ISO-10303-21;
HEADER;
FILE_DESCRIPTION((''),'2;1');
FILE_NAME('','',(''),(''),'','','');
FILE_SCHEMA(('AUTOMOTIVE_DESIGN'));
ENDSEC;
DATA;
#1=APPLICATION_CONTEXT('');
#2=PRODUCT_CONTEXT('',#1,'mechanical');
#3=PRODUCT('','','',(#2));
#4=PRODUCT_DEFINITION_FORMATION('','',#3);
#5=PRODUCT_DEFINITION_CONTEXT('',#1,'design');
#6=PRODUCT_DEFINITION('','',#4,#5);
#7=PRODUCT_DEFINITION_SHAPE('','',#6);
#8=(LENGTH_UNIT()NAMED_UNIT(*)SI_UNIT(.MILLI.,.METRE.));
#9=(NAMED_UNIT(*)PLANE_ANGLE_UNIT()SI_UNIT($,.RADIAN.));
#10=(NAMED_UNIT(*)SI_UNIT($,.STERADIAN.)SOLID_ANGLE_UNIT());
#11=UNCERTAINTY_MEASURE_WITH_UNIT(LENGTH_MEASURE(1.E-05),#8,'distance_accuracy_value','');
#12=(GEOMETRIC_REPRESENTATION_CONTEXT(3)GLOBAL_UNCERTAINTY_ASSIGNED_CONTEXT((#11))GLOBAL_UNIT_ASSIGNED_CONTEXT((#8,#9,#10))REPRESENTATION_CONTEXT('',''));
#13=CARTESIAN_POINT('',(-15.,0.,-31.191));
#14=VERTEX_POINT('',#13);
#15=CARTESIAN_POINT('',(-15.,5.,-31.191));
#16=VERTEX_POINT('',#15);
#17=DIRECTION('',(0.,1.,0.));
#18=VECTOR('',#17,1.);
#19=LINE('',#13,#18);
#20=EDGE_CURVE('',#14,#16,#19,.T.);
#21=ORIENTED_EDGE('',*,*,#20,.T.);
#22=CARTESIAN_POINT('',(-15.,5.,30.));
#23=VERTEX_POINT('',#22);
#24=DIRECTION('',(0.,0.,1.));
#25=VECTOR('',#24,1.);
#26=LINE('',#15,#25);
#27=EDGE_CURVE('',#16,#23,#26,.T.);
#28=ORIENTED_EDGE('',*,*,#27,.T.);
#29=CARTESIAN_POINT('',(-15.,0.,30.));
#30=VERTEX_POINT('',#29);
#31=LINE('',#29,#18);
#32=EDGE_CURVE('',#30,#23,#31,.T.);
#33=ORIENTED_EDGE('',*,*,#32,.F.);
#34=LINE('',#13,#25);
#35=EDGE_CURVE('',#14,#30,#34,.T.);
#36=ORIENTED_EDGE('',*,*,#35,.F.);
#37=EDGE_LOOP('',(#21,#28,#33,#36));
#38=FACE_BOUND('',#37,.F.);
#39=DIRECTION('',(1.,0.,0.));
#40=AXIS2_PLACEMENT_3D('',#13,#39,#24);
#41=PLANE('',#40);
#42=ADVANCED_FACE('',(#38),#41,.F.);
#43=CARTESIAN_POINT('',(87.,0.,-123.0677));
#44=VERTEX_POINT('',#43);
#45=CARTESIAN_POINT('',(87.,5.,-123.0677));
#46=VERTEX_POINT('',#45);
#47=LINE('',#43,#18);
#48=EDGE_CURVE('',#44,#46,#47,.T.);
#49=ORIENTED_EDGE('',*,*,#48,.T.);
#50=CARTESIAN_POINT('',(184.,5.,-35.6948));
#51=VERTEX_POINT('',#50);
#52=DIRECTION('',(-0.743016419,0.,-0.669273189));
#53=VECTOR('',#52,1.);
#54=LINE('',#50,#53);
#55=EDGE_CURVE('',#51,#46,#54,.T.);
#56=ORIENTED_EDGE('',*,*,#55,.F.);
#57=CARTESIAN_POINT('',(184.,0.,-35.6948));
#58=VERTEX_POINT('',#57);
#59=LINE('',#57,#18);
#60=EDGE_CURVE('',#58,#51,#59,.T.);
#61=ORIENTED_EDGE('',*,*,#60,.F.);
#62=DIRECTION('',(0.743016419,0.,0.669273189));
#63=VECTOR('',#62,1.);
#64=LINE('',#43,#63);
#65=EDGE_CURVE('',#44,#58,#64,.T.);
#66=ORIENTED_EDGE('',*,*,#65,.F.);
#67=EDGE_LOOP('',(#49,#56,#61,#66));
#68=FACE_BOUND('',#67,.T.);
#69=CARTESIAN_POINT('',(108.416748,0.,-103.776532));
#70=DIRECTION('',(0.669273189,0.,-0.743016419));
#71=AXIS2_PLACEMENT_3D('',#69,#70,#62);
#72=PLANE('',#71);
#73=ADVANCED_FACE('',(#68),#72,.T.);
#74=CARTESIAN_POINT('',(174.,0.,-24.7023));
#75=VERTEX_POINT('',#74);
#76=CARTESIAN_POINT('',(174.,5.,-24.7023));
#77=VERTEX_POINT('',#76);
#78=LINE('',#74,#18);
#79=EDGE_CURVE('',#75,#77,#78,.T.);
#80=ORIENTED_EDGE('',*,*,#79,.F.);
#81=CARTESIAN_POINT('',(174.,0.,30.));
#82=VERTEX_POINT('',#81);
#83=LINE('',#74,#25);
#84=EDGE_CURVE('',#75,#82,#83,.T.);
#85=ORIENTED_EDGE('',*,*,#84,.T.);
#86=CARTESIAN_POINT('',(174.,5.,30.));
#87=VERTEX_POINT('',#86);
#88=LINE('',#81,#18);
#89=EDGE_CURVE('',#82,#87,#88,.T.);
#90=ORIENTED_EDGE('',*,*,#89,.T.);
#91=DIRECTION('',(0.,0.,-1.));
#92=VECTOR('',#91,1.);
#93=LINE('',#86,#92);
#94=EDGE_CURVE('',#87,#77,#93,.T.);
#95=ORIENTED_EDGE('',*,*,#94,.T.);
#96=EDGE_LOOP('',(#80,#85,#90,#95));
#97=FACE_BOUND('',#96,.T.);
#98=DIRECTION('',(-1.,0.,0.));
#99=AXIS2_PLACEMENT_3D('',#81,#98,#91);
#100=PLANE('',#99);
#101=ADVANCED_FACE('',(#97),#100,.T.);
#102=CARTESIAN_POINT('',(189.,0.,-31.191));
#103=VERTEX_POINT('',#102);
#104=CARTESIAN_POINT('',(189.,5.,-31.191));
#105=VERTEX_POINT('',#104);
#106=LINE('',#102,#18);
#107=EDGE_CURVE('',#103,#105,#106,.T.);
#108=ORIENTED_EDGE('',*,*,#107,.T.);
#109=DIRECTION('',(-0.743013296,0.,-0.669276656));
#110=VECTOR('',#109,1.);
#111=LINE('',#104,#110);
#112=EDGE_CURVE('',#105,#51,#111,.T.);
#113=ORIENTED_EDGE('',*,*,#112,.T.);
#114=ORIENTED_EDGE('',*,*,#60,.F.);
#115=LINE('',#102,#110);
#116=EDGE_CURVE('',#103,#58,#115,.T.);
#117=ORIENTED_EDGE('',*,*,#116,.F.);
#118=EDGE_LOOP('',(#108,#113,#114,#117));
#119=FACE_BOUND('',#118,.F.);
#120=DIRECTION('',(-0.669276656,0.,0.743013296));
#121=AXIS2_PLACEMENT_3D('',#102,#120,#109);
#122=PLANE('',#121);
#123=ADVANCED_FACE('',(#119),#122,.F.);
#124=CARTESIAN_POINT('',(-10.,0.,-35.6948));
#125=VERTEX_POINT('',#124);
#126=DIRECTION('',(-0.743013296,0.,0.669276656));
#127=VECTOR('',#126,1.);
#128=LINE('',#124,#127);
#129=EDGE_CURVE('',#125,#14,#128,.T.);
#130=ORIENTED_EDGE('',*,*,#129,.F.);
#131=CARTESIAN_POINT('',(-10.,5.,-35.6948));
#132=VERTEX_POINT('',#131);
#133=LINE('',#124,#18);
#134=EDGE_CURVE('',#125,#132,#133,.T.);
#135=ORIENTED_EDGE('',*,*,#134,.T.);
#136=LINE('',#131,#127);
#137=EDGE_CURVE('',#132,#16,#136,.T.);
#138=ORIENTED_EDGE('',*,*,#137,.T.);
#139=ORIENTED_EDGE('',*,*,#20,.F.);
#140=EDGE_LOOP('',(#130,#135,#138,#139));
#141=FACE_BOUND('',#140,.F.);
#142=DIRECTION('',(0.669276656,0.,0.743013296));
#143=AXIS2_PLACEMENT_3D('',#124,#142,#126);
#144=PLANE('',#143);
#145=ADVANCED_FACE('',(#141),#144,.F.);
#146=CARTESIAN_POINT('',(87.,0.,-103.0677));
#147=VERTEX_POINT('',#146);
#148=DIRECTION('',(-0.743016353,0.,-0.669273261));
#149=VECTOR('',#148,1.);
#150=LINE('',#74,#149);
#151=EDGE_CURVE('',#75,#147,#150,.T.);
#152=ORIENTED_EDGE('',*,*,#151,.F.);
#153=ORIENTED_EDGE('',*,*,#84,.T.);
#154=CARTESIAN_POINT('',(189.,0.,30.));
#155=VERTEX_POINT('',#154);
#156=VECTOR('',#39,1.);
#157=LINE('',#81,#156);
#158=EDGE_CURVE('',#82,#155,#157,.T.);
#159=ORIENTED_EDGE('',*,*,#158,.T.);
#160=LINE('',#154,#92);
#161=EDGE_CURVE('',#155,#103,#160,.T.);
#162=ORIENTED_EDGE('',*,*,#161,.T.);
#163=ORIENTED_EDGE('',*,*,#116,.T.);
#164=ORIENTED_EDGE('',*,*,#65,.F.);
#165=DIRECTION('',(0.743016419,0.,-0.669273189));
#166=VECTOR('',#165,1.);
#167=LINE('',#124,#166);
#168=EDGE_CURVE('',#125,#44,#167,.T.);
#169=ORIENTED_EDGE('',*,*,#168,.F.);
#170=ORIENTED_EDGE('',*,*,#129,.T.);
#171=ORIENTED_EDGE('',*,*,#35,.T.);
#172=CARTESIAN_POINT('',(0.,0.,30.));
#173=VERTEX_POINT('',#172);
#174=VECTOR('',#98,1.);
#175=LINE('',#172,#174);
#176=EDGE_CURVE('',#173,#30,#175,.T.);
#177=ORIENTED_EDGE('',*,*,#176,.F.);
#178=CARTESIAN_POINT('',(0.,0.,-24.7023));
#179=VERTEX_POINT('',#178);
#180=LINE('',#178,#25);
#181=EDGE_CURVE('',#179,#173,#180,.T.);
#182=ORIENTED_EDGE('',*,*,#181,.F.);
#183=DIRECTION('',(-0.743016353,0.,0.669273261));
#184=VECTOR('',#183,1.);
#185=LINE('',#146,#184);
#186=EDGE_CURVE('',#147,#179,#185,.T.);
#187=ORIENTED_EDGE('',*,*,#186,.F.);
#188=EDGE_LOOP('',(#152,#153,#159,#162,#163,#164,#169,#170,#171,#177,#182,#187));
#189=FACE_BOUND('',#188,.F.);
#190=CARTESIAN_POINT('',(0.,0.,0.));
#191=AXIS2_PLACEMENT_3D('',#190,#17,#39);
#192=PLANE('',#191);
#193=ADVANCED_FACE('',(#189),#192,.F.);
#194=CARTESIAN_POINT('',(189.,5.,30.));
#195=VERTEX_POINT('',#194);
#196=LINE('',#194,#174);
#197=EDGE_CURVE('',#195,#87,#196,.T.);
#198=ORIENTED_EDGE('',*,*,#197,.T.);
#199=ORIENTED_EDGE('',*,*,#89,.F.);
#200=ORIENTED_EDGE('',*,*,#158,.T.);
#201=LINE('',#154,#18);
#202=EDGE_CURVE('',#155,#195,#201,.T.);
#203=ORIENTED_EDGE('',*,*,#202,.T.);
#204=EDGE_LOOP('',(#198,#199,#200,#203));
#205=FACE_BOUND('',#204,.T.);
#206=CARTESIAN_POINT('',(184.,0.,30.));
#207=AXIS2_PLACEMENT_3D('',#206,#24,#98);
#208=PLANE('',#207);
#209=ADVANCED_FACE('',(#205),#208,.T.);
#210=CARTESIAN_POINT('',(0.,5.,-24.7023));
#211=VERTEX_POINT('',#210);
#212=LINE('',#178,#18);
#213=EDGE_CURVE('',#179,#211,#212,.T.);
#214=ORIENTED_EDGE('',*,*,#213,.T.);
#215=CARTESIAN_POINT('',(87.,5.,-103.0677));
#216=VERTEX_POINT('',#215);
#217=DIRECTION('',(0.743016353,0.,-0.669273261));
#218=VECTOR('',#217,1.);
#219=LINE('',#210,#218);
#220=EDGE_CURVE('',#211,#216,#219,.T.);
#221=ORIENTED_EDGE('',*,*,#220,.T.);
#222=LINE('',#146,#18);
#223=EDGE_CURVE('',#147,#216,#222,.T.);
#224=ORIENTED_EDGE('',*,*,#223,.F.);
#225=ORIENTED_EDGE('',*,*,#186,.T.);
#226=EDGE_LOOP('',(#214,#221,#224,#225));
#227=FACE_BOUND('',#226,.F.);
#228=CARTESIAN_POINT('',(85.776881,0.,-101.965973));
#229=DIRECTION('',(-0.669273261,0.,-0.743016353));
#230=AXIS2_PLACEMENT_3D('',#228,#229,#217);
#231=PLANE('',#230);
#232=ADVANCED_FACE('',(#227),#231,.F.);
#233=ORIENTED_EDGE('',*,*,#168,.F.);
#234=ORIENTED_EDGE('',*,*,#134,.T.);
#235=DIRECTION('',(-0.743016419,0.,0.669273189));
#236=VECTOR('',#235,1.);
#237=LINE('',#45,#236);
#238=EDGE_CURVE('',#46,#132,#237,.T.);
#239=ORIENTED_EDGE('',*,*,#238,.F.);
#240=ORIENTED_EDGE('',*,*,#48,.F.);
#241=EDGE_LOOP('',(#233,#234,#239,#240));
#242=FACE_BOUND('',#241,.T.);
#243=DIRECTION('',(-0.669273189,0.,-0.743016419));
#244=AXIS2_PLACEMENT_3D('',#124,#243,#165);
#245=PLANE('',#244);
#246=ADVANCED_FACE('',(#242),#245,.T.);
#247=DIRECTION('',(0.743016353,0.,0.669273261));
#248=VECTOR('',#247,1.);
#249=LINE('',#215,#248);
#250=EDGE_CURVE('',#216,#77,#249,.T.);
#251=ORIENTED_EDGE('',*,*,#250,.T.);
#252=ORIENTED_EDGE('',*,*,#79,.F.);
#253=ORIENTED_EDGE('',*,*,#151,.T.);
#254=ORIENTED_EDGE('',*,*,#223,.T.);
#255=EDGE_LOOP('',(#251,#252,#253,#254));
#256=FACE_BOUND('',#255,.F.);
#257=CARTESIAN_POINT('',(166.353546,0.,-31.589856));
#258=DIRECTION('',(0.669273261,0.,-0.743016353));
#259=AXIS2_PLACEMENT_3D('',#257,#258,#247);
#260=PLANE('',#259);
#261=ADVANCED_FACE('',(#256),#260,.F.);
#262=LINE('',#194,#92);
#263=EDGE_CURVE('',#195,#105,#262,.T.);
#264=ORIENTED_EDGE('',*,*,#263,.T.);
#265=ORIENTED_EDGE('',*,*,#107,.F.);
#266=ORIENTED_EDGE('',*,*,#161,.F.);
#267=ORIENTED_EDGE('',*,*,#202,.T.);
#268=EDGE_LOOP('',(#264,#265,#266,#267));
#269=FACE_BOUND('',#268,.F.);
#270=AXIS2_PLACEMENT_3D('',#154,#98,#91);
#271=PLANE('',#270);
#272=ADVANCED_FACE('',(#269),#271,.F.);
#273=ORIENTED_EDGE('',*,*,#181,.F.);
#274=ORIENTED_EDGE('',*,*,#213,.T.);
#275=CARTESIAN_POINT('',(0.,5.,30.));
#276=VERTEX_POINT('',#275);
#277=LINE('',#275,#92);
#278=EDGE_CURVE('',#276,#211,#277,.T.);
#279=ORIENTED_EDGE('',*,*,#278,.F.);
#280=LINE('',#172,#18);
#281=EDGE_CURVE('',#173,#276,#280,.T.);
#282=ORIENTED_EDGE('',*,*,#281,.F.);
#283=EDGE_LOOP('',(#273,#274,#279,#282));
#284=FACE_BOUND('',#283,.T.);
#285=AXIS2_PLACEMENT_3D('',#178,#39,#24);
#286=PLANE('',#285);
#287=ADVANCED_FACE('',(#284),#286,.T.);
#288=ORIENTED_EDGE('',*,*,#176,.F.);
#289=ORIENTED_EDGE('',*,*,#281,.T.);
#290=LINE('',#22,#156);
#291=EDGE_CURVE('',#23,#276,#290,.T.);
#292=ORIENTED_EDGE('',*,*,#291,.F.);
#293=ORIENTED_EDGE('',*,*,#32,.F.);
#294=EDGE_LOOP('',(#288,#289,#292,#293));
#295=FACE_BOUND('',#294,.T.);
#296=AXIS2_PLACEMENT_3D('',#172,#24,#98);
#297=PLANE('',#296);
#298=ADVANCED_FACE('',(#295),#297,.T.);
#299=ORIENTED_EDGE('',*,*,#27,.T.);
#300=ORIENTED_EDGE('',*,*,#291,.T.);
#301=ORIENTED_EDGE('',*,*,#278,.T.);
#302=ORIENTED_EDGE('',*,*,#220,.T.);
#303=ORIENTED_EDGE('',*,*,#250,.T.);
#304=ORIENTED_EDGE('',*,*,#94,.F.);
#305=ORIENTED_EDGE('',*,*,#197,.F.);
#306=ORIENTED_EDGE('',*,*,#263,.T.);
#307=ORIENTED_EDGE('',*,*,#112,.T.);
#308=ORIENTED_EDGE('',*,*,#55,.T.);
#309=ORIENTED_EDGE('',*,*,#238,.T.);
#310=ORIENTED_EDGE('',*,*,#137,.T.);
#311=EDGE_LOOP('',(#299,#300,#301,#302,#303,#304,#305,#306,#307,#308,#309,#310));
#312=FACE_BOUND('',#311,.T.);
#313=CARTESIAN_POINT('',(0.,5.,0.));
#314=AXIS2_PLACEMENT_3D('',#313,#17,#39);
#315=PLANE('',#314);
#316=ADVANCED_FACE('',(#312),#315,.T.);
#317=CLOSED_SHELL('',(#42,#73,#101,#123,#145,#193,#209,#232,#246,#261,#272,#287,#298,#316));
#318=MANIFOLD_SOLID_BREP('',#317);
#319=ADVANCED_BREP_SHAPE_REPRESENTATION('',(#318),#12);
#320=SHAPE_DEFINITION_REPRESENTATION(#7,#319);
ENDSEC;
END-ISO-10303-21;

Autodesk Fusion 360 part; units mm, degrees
sketch "Sketch1" plane through (0, 0, 0) normal (0, 1, 0) x (1, 0, 0)
  line L0 (0, 0) -> (174, 0)
  line L1 (174, 0) -> (174, 102)
  line L2 (174, 102) -> (0, 102)
  line L3 (0, 102) -> (0, 0)
  line L4 (87, 102) -> (87, 0) construction
  arc A0 (26, 54) -> (0, 0) centre (69.0769, 0) ccw
  arc A1 (65, 80) -> (26, 54) centre (197.4493, -160.9239) ccw
  arc A2 (148, 54) -> (109, 80) centre (-23.4493, -160.9239) ccw
  arc A3 (174, 0) -> (148, 54) centre (104.9231, 0) ccw
  arc A4 (109, 80) -> (65, 80) centre (87, 80) ccw
  arc A5 (184, 0) -> (154.2361, 61.8174) centre (104.9231, 0) ccw
  arc A6 (154.2361, 61.8174) -> (118.3954, 86.1912) centre (-23.4493, -160.9239) ccw
  arc A7 (118.3954, 86.1912) -> (55.6046, 86.1912) centre (87, 80) ccw
  arc A8 (55.6046, 86.1912) -> (19.7639, 61.8174) centre (197.4493, -160.9239) ccw
  arc A9 (19.7639, 61.8174) -> (-10, 0) centre (69.0769, 0) ccw
  line L5 (-10, 0) -> (0, 0)
  line L6 (0, 0) -> (0, -30)
  line L7 (0, -30) -> (-10, -30)
  line L8 (-10, -30) -> (-10, 0)
  line L9 (174, 0) -> (184, 0)
  line L10 (184, 0) -> (184, -30)
  line L11 (184, -30) -> (174, -30)
  line L12 (174, -30) -> (174, 0)
  point P0 (26, 54)
  point P1 (65, 80)
  point P2 (148, 54)
  point P3 (109, 80)
  dimension "d1" = 174
  dimension "d2" = 102
  dimension "d3" = 54
  dimension "d5" = 61
  dimension "d6" = 22
  dimension "d7" = 80
  dimension "d8" = 10
  dimension "d9" = 30
  dimension "d10" = 30
sketch "Sketch2" plane through (0, 0, 0) normal (0, 1, 0) x (1, 0, 0)
  arc A0 (26, 54) -> (0, 0) centre (69.0769, 0) ccw
  arc A1 (65, 80) -> (26, 54) centre (197.4493, -160.9239) ccw
  arc A2 (109, 80) -> (65, 80) centre (87, 80) ccw
  arc A3 (148, 54) -> (109, 80) centre (-23.4493, -160.9239) ccw
  arc A4 (174, 0) -> (148, 54) centre (104.9231, 0) ccw
  line L0 (174, -30) -> (174, 0)
  line L1 (184, -30) -> (174, -30)
  line L2 (184, 0) -> (184, -30)
  arc A5 (184, 0) -> (154.2361, 61.8174) centre (104.9231, 0) ccw
  arc A6 (154.2361, 61.8174) -> (118.3954, 86.1912) centre (-23.4493, -160.9239) ccw
  arc A7 (118.3954, 86.1912) -> (55.6046, 86.1912) centre (87, 80) ccw
  arc A8 (55.6046, 86.1912) -> (19.7639, 61.8174) centre (197.4493, -160.9239) ccw
  arc A9 (19.7639, 61.8174) -> (-10, 0) centre (69.0769, 0) ccw
  line L3 (-10, -30) -> (-10, 0)
  line L4 (0, -30) -> (-10, -30)
  line L5 (0, 0) -> (0, -30)
sketch "Sketch3" plane through (0, 0, 0) normal (0, 1, 0) x (1, 0, 0)
  arc A0 (118.3954, 86.1912) -> (55.6046, 86.1912) centre (87, 80) ccw
  arc A1 (55.6046, 86.1912) -> (19.7639, 61.8174) centre (197.4493, -160.9239) ccw
  arc A2 (19.7639, 61.8174) -> (-10, 0) centre (69.0769, 0) ccw
  line L0 (-10, -30) -> (-10, 0)
  arc A3 (154.2361, 61.8174) -> (118.3954, 86.1912) centre (-23.4493, -160.9239) ccw
  arc A4 (184, 0) -> (154.2361, 61.8174) centre (104.9231, 0) ccw
  line L1 (184, 0) -> (184, -30)
  line L2 (184, -30) -> (174, -30)
  line L3 (0, -30) -> (-10, -30)
  line L4 (0, 0) -> (0, -30)
  arc A5 (26, 54) -> (0, 0) centre (69.0769, 0) ccw
  arc A6 (65, 80) -> (26, 54) centre (197.4493, -160.9239) ccw
  arc A7 (109, 80) -> (65, 80) centre (87, 80) ccw
  arc A8 (148, 54) -> (109, 80) centre (-23.4493, -160.9239) ccw
  arc A9 (174, 0) -> (148, 54) centre (104.9231, 0) ccw
  line L5 (174, -30) -> (174, 0)
  line L6 (-10, -30) -> (-10, 35.6948)
  line L7 (-10, 35.6948) -> (87, 123.0677)
  line L8 (87, 123.0677) -> (184, 35.6948)
  line L9 (184, 35.6948) -> (184, -30)
  line L10 (-10, -30) -> (0, -30)
  line L11 (0, 24.7023) -> (87, 103.0677)
  line L12 (87, 103.0677) -> (174, 24.7023)
  line L13 (0, 24.7023) -> (0, -30)
  line L14 (174, 24.7023) -> (174, -30)
  line L15 (-10, -30) -> (0, -30)
  line L16 (174, -30) -> (184, -30)
  line L17 (184, -30) -> (189, -30)
  line L18 (189, -30) -> (189, 31.191)
  line L19 (189, 31.191) -> (184, 35.6948)
  line L20 (-10, 35.6948) -> (-15, 31.191)
  line L21 (-15, 31.191) -> (-15, -30)
  line L22 (-15, -30) -> (-10, -30)
  dimension "d11" = 20
  dimension "d14" = 5
  dimension "d15" = 5
extrude "Extrude1" add sketch "Sketch3" along normal blind 5 contours A0 A1 A2 L0 A3 A4 L1 L2 L3 L4 A5 A6 A7 A8 A9 L5 L6 L9 L10 L11 L12 L13 L14 L15 L16 | A0 A3 A4 L8 L9 | A0 L7 L8 | A0 A1 A2 L6 L7 | L1 L9 L17 L18 L19 | L0 L6 L20 L21 L22 | A8 A9 L12 | A5 A6 L11 | A7 L12 | A7 L11
